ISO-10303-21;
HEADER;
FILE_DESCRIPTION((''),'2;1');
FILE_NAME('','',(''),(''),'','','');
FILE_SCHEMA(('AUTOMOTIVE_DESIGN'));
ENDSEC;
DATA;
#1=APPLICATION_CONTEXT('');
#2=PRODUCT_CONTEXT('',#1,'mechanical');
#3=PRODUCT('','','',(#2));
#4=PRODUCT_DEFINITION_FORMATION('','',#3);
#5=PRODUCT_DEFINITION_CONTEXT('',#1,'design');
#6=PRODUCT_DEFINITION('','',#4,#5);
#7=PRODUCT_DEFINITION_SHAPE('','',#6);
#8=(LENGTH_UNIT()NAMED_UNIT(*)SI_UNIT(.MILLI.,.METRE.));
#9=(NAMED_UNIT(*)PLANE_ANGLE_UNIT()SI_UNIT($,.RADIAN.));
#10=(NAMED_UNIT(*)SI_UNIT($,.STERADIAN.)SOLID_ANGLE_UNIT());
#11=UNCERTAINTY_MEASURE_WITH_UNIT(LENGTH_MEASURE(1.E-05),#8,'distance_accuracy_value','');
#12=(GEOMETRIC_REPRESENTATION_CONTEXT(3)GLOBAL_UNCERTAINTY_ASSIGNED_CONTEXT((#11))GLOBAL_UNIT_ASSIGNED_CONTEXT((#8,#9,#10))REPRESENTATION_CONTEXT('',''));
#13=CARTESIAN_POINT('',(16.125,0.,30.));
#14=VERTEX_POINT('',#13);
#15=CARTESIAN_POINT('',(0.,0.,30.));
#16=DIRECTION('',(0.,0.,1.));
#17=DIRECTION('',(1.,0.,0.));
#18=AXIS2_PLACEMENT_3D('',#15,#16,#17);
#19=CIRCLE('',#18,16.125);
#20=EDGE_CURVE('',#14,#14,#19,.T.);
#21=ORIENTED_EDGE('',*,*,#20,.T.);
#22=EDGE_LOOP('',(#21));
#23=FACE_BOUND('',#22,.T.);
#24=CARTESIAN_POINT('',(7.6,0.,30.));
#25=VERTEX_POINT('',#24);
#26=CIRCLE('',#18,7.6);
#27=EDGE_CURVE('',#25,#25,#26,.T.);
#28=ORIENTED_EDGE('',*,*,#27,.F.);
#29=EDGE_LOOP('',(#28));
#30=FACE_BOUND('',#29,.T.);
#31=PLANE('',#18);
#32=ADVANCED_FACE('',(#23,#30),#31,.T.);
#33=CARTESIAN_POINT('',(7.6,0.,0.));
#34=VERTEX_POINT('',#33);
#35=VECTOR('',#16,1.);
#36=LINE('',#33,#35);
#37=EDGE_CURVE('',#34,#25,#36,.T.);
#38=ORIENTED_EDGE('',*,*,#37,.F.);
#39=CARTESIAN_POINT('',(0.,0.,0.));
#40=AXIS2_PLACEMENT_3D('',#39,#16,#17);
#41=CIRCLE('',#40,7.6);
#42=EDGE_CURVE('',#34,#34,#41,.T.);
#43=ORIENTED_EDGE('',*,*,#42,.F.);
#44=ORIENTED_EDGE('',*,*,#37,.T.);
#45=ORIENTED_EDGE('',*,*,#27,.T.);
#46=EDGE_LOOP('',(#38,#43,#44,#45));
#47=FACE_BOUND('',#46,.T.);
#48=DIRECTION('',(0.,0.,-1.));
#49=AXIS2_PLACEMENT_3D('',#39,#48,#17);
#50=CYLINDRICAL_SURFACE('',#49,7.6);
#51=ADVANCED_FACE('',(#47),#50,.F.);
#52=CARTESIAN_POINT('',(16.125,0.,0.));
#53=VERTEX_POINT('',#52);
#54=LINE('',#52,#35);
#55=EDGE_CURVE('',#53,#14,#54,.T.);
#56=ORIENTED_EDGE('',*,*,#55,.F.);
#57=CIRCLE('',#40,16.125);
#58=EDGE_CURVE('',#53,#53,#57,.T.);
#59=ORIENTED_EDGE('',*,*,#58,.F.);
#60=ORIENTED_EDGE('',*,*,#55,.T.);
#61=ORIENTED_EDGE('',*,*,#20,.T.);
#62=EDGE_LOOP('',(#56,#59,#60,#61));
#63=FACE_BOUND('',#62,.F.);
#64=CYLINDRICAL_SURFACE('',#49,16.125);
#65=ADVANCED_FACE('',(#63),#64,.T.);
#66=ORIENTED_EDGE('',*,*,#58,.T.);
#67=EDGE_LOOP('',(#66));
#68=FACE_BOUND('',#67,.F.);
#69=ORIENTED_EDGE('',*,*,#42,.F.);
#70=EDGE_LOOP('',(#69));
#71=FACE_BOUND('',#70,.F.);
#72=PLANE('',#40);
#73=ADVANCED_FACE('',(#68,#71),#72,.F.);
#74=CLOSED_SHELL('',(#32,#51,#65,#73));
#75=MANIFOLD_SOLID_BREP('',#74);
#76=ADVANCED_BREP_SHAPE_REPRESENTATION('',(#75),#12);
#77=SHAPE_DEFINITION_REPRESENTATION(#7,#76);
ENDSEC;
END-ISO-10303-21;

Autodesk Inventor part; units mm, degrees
ref_plane "YZ Plane" through (0, 0, 0) normal (1, 0, 0) x (0, 1, 0)
ref_plane "XZ Plane" through (0, 0, 0) normal (0, 1, 0) x (-1, 0, 0)
ref_plane "XY Plane" through (0, 0, 0) normal (0, 0, 1) x (1, 0, 0)
sketch "Sketch1" plane through (0, 0, 0) normal (0, 0, 1) x (1, 0, 0)
  circle A0 centre (0, 0) radius 16.125
  circle A1 centre (0, 0) radius 7.6
  dimension "d0" = 32.25
  dimension "d1" = 15.2
extrude "Extrusion1" add sketch "Sketch1" along normal blind 30
properties part number "bearing L30 d32.25"
